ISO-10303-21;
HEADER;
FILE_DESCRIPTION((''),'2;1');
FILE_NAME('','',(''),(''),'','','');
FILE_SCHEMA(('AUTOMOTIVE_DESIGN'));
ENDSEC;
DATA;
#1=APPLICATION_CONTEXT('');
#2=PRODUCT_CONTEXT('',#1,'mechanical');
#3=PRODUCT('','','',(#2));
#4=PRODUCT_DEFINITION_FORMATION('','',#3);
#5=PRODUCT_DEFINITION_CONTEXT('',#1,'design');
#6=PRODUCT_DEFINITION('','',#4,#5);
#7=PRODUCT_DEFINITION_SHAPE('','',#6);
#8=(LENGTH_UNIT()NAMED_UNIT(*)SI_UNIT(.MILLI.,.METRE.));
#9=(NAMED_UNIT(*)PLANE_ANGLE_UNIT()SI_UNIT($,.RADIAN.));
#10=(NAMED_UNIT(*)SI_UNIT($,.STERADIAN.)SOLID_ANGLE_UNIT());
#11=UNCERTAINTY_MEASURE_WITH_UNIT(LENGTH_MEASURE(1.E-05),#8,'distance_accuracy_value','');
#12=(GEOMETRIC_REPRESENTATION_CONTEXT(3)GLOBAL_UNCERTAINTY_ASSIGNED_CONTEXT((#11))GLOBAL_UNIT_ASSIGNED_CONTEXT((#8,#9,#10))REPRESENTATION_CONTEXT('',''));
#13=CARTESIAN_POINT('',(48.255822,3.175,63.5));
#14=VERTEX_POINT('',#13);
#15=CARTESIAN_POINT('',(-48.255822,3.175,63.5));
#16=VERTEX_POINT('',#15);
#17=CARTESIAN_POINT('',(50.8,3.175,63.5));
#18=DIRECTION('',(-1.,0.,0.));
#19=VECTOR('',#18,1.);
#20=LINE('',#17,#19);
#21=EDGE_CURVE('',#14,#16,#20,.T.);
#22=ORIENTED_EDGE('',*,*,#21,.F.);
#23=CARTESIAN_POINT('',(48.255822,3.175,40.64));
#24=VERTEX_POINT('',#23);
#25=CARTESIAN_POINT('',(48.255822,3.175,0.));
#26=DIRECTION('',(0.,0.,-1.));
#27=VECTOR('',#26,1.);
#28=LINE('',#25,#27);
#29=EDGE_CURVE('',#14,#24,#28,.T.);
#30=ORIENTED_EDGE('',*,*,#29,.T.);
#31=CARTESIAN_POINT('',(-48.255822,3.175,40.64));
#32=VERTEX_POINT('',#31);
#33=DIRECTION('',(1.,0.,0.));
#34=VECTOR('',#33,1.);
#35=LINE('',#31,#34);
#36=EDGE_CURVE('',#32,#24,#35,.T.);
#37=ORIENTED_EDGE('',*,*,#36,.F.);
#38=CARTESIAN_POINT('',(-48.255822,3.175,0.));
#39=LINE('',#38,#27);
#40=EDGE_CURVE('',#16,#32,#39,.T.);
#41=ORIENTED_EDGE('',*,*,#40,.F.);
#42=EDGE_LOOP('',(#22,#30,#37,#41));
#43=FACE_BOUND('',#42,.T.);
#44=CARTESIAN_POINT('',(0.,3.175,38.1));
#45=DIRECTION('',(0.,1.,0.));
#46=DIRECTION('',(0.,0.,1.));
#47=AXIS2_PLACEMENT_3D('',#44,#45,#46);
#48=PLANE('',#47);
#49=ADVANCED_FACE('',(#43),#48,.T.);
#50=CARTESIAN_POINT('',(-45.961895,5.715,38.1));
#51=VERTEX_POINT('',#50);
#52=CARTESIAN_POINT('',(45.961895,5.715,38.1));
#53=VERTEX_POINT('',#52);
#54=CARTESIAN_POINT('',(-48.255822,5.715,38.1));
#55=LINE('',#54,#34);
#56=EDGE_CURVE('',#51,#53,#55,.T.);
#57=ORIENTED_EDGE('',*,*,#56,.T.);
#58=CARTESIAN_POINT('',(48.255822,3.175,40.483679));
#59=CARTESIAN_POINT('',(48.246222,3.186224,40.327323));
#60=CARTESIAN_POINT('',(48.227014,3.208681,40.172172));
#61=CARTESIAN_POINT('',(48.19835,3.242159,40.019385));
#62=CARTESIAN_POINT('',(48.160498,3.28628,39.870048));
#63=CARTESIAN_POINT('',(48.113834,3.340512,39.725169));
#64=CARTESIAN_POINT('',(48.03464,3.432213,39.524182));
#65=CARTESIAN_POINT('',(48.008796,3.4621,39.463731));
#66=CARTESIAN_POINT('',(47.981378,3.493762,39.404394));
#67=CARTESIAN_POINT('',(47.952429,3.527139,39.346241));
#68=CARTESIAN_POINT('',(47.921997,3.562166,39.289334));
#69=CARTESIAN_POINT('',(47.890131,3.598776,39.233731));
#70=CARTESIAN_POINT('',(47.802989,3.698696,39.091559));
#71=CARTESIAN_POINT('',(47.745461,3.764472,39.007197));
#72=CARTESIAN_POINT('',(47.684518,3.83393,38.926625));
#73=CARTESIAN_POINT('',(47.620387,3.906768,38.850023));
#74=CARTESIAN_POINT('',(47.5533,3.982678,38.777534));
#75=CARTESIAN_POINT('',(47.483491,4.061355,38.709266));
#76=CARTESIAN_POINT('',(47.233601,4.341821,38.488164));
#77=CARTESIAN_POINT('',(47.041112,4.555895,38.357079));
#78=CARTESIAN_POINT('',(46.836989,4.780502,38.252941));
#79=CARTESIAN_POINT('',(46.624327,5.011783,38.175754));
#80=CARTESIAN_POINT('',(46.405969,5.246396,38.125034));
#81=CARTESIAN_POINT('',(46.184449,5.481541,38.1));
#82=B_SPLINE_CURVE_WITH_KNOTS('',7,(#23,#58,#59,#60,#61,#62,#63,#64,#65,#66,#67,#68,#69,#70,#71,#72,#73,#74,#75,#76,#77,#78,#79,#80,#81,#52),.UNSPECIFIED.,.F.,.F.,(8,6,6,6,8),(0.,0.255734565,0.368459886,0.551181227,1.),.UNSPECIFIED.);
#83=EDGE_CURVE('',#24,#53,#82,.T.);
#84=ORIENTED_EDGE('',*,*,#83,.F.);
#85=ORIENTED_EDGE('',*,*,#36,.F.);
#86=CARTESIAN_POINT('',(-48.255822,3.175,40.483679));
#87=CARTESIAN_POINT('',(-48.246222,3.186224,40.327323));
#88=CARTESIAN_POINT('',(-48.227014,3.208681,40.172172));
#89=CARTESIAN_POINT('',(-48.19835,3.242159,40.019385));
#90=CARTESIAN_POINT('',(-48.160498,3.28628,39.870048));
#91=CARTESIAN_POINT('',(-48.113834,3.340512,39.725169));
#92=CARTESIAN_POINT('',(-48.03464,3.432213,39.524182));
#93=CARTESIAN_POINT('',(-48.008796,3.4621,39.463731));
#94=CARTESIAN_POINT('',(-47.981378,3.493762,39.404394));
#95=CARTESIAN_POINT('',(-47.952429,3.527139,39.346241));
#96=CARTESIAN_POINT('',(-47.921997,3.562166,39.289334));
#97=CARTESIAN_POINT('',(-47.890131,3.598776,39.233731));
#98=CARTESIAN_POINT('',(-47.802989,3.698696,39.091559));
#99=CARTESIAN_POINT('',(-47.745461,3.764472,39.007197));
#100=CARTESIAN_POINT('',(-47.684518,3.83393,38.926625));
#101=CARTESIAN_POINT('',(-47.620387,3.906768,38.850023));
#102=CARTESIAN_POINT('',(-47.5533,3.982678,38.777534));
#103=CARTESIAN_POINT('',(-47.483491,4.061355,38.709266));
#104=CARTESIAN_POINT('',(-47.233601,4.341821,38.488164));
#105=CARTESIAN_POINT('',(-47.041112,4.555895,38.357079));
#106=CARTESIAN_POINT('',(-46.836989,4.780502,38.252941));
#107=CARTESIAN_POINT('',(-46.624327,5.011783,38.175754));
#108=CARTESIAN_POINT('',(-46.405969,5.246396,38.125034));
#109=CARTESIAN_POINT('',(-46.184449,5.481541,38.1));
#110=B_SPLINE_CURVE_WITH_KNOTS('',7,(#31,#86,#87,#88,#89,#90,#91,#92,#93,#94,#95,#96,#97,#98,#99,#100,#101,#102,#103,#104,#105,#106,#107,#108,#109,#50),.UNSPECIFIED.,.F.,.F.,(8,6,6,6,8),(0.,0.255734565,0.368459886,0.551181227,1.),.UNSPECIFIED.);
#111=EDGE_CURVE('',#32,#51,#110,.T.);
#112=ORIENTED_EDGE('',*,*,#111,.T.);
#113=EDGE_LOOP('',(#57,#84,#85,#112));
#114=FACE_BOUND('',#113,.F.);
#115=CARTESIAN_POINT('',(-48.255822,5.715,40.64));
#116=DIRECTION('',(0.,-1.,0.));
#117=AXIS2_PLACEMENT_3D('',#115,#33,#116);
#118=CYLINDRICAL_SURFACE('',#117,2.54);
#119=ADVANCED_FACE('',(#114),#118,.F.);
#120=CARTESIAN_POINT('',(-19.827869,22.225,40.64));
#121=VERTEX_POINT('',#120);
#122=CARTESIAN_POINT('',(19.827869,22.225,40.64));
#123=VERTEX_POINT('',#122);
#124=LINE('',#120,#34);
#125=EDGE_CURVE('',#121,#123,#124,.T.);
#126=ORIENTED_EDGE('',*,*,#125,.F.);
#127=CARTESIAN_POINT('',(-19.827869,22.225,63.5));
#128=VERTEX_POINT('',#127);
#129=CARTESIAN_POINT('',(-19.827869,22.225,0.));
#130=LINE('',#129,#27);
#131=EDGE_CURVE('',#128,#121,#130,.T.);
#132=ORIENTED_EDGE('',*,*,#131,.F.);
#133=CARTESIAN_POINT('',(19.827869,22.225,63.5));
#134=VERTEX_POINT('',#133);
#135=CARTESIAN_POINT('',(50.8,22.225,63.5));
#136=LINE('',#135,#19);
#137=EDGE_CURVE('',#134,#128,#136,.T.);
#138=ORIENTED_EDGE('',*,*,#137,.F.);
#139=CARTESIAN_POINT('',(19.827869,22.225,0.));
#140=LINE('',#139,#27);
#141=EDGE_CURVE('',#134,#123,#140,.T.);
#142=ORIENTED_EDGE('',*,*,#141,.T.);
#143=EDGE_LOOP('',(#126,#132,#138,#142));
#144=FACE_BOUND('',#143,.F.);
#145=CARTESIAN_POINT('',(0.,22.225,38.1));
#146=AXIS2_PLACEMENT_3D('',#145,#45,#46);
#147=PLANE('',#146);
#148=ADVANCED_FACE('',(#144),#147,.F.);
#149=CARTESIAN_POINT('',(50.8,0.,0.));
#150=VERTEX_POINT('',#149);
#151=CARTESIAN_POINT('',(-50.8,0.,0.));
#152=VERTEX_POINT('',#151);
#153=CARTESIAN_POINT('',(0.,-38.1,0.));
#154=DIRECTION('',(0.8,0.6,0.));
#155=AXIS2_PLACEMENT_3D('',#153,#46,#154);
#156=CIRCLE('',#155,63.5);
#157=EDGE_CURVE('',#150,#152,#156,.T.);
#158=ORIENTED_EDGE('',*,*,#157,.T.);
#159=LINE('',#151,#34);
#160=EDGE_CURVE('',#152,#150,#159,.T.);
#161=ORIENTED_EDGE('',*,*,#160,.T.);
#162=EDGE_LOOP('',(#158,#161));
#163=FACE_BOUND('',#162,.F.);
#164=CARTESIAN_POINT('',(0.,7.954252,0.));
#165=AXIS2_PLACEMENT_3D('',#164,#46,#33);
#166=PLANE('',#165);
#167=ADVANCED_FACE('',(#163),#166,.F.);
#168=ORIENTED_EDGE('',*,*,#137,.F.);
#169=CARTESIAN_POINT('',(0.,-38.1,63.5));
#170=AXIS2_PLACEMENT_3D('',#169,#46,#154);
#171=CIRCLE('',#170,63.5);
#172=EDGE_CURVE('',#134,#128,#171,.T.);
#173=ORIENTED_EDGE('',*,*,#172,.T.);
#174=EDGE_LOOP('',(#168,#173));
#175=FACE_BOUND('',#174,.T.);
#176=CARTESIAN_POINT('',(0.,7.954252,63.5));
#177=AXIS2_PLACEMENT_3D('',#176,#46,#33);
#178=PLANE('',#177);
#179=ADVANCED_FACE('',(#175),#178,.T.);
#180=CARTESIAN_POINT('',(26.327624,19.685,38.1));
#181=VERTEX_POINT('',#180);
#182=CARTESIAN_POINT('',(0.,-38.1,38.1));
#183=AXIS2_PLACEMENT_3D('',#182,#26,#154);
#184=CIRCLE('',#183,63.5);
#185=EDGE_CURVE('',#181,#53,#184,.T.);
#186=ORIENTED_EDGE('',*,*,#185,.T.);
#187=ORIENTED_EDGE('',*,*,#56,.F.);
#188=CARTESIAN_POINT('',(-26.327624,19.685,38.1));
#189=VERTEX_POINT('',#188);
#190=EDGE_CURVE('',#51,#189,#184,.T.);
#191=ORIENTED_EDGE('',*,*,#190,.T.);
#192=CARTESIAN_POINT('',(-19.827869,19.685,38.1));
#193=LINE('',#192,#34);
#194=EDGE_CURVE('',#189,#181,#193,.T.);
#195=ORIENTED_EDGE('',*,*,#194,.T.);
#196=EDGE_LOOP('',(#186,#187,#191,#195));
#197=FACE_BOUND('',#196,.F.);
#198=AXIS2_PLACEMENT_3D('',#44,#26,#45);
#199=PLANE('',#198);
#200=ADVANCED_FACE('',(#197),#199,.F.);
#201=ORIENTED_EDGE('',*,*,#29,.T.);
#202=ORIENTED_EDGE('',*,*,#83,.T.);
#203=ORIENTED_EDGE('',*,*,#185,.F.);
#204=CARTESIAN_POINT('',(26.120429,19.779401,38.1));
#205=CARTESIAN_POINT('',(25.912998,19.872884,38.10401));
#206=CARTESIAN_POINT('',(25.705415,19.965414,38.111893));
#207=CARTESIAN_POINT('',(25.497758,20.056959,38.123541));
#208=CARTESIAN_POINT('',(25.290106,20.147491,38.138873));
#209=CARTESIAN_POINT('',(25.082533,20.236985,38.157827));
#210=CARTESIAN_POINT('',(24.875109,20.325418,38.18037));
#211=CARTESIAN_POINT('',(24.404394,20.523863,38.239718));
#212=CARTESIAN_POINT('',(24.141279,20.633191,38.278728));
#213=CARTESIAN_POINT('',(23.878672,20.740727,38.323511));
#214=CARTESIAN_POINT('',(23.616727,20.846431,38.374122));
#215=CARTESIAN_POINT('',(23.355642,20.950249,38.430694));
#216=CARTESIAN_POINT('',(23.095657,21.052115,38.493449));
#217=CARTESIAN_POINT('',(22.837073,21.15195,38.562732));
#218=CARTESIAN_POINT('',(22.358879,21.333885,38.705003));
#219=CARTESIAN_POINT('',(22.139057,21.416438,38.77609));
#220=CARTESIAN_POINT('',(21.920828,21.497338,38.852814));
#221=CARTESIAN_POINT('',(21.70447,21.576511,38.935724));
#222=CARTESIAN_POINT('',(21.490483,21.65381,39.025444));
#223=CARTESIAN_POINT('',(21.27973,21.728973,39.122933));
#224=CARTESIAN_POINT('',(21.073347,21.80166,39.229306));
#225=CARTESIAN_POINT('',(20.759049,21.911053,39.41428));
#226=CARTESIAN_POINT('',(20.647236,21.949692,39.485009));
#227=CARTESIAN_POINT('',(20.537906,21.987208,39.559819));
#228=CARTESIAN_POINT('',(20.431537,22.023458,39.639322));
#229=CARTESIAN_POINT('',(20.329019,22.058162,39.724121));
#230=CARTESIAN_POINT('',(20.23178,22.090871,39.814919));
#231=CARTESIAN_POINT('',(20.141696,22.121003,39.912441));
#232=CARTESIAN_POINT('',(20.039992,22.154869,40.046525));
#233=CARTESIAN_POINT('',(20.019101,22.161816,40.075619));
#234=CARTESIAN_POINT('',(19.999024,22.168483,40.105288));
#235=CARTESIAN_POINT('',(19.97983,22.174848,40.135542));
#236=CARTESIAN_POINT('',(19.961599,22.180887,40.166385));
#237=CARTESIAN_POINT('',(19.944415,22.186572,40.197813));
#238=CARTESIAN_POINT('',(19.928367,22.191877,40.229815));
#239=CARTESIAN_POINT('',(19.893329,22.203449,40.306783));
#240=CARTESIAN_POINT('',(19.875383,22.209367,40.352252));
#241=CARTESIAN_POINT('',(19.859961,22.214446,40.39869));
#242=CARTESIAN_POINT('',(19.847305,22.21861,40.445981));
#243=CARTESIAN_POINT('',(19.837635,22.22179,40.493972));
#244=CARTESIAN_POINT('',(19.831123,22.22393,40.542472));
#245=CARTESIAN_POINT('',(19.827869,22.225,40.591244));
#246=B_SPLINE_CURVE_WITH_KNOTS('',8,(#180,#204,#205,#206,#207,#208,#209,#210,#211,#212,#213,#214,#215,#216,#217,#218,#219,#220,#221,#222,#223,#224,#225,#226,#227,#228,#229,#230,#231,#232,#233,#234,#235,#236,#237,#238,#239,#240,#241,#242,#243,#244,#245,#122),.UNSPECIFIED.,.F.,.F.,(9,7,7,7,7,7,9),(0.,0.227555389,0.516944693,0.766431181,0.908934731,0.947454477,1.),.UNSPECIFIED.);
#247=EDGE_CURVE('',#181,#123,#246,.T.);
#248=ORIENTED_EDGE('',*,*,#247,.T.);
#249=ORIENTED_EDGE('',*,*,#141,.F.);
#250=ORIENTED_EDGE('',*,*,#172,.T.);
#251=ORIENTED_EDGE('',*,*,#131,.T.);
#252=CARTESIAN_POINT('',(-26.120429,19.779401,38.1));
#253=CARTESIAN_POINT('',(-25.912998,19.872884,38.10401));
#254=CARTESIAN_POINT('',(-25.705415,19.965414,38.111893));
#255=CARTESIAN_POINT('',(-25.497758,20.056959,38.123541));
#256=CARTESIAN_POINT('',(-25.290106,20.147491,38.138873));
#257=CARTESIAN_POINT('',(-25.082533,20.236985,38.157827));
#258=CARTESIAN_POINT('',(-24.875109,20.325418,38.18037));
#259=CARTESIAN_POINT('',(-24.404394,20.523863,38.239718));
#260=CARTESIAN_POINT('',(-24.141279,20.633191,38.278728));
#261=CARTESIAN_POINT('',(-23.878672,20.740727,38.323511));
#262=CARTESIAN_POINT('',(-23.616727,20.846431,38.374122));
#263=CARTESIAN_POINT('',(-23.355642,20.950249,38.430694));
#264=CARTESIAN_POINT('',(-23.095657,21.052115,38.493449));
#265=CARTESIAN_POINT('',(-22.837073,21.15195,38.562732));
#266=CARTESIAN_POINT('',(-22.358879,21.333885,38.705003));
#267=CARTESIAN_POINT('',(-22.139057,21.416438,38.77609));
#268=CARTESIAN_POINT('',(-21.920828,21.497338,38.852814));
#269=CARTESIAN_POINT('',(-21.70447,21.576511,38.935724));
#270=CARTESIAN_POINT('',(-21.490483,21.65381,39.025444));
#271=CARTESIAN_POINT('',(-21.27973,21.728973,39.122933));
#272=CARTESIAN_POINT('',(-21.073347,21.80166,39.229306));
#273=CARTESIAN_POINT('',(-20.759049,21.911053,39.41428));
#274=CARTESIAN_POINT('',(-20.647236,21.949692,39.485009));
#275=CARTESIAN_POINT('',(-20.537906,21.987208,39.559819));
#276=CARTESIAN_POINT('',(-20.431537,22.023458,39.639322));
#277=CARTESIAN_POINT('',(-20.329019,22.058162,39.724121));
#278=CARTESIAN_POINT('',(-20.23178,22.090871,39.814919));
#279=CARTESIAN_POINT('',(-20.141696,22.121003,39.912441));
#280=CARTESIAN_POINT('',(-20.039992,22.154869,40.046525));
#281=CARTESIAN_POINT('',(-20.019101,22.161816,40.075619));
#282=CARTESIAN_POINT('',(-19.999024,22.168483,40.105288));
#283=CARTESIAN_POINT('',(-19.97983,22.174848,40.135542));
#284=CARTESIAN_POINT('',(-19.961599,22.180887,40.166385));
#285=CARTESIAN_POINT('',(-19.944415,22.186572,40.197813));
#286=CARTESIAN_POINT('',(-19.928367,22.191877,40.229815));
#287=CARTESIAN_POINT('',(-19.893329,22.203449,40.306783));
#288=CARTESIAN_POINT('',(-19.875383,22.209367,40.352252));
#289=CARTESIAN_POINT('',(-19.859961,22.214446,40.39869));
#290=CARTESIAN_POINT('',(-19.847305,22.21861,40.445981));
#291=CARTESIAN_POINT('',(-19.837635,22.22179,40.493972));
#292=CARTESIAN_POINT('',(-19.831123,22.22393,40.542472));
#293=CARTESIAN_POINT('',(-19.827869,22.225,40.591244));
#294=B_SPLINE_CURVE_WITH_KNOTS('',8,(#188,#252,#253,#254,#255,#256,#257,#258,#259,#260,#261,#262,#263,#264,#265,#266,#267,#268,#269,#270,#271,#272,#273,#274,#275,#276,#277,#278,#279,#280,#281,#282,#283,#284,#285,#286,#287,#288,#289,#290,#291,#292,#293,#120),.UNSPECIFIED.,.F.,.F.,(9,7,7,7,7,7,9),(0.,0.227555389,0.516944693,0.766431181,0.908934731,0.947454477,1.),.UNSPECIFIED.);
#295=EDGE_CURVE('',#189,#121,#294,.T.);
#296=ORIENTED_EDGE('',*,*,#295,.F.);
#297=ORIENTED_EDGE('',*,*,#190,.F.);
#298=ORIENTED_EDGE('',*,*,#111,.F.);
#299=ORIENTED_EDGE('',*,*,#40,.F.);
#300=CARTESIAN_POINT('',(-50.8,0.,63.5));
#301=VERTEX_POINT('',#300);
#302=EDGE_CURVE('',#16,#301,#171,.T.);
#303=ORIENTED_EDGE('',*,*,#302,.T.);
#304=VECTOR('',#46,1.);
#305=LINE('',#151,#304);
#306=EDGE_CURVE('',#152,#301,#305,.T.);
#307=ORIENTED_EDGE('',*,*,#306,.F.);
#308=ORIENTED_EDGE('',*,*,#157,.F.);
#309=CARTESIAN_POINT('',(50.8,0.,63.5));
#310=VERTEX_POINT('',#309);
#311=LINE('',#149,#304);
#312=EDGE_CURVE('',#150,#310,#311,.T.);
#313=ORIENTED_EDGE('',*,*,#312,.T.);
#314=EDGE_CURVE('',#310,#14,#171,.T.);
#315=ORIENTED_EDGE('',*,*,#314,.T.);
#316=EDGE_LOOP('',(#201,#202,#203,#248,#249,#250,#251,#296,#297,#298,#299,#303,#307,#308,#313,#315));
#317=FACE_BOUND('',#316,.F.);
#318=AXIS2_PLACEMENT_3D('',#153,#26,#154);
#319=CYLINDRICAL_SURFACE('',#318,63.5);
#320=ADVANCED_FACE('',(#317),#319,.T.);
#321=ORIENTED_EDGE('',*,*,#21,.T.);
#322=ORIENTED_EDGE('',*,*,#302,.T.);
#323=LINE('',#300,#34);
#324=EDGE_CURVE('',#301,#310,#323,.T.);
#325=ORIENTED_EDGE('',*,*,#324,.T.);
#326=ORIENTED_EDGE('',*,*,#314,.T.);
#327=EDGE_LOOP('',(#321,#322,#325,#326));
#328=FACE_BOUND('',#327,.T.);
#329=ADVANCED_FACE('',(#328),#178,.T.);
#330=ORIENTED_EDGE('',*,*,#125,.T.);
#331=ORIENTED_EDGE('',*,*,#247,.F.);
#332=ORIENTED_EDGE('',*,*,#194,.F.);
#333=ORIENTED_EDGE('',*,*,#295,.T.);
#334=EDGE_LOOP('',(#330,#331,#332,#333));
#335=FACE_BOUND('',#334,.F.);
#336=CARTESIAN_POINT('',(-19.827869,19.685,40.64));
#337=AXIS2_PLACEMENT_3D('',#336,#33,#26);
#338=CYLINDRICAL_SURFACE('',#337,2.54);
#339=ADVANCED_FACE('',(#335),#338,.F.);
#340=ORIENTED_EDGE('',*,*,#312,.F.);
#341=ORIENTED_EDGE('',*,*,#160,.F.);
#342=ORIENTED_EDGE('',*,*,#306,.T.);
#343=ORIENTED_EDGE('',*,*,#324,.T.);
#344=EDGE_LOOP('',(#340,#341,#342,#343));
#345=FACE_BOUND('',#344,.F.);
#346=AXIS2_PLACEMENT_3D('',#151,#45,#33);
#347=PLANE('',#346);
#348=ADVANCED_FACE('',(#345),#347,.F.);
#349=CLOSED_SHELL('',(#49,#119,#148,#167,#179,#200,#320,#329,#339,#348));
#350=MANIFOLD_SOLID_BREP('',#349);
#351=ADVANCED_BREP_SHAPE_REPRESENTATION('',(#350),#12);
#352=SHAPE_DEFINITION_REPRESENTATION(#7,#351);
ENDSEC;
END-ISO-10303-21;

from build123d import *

# Parameters (mm, degrees)
F1_DEPTH = 63.5
F2_W     = 19.05
F2_H     = 25.4
F3_DEPTH = 50.8
F4_R     = 2.54


with BuildPart() as f1:
    # F0 (on Top) → F1 (new body)
    with BuildSketch(Plane.XY):
        with BuildLine():
            Line((-50.8, 0), (50.8, 0))
            ThreePointArc((50.8, 0), (0, 25.4), (-50.8, 0))
        make_face()
    extrude(amount=F1_DEPTH)

    # F2 (on Right) → F3 (cut, symmetric)
    with BuildSketch(Plane.YZ):
        with Locations((12.7, 50.8)):
            Rectangle(F2_W, F2_H)
    extrude(amount=F3_DEPTH, both=True, mode=Mode.SUBTRACT)

    # F4
    f4_edges = [f1.edges().sort_by_distance(p)[0] for p in [
        (0, 3.175, 38.1),
        (0, 22.225, 38.1),
    ]]
    fillet(f4_edges, radius=F4_R)


solid = f1.part
